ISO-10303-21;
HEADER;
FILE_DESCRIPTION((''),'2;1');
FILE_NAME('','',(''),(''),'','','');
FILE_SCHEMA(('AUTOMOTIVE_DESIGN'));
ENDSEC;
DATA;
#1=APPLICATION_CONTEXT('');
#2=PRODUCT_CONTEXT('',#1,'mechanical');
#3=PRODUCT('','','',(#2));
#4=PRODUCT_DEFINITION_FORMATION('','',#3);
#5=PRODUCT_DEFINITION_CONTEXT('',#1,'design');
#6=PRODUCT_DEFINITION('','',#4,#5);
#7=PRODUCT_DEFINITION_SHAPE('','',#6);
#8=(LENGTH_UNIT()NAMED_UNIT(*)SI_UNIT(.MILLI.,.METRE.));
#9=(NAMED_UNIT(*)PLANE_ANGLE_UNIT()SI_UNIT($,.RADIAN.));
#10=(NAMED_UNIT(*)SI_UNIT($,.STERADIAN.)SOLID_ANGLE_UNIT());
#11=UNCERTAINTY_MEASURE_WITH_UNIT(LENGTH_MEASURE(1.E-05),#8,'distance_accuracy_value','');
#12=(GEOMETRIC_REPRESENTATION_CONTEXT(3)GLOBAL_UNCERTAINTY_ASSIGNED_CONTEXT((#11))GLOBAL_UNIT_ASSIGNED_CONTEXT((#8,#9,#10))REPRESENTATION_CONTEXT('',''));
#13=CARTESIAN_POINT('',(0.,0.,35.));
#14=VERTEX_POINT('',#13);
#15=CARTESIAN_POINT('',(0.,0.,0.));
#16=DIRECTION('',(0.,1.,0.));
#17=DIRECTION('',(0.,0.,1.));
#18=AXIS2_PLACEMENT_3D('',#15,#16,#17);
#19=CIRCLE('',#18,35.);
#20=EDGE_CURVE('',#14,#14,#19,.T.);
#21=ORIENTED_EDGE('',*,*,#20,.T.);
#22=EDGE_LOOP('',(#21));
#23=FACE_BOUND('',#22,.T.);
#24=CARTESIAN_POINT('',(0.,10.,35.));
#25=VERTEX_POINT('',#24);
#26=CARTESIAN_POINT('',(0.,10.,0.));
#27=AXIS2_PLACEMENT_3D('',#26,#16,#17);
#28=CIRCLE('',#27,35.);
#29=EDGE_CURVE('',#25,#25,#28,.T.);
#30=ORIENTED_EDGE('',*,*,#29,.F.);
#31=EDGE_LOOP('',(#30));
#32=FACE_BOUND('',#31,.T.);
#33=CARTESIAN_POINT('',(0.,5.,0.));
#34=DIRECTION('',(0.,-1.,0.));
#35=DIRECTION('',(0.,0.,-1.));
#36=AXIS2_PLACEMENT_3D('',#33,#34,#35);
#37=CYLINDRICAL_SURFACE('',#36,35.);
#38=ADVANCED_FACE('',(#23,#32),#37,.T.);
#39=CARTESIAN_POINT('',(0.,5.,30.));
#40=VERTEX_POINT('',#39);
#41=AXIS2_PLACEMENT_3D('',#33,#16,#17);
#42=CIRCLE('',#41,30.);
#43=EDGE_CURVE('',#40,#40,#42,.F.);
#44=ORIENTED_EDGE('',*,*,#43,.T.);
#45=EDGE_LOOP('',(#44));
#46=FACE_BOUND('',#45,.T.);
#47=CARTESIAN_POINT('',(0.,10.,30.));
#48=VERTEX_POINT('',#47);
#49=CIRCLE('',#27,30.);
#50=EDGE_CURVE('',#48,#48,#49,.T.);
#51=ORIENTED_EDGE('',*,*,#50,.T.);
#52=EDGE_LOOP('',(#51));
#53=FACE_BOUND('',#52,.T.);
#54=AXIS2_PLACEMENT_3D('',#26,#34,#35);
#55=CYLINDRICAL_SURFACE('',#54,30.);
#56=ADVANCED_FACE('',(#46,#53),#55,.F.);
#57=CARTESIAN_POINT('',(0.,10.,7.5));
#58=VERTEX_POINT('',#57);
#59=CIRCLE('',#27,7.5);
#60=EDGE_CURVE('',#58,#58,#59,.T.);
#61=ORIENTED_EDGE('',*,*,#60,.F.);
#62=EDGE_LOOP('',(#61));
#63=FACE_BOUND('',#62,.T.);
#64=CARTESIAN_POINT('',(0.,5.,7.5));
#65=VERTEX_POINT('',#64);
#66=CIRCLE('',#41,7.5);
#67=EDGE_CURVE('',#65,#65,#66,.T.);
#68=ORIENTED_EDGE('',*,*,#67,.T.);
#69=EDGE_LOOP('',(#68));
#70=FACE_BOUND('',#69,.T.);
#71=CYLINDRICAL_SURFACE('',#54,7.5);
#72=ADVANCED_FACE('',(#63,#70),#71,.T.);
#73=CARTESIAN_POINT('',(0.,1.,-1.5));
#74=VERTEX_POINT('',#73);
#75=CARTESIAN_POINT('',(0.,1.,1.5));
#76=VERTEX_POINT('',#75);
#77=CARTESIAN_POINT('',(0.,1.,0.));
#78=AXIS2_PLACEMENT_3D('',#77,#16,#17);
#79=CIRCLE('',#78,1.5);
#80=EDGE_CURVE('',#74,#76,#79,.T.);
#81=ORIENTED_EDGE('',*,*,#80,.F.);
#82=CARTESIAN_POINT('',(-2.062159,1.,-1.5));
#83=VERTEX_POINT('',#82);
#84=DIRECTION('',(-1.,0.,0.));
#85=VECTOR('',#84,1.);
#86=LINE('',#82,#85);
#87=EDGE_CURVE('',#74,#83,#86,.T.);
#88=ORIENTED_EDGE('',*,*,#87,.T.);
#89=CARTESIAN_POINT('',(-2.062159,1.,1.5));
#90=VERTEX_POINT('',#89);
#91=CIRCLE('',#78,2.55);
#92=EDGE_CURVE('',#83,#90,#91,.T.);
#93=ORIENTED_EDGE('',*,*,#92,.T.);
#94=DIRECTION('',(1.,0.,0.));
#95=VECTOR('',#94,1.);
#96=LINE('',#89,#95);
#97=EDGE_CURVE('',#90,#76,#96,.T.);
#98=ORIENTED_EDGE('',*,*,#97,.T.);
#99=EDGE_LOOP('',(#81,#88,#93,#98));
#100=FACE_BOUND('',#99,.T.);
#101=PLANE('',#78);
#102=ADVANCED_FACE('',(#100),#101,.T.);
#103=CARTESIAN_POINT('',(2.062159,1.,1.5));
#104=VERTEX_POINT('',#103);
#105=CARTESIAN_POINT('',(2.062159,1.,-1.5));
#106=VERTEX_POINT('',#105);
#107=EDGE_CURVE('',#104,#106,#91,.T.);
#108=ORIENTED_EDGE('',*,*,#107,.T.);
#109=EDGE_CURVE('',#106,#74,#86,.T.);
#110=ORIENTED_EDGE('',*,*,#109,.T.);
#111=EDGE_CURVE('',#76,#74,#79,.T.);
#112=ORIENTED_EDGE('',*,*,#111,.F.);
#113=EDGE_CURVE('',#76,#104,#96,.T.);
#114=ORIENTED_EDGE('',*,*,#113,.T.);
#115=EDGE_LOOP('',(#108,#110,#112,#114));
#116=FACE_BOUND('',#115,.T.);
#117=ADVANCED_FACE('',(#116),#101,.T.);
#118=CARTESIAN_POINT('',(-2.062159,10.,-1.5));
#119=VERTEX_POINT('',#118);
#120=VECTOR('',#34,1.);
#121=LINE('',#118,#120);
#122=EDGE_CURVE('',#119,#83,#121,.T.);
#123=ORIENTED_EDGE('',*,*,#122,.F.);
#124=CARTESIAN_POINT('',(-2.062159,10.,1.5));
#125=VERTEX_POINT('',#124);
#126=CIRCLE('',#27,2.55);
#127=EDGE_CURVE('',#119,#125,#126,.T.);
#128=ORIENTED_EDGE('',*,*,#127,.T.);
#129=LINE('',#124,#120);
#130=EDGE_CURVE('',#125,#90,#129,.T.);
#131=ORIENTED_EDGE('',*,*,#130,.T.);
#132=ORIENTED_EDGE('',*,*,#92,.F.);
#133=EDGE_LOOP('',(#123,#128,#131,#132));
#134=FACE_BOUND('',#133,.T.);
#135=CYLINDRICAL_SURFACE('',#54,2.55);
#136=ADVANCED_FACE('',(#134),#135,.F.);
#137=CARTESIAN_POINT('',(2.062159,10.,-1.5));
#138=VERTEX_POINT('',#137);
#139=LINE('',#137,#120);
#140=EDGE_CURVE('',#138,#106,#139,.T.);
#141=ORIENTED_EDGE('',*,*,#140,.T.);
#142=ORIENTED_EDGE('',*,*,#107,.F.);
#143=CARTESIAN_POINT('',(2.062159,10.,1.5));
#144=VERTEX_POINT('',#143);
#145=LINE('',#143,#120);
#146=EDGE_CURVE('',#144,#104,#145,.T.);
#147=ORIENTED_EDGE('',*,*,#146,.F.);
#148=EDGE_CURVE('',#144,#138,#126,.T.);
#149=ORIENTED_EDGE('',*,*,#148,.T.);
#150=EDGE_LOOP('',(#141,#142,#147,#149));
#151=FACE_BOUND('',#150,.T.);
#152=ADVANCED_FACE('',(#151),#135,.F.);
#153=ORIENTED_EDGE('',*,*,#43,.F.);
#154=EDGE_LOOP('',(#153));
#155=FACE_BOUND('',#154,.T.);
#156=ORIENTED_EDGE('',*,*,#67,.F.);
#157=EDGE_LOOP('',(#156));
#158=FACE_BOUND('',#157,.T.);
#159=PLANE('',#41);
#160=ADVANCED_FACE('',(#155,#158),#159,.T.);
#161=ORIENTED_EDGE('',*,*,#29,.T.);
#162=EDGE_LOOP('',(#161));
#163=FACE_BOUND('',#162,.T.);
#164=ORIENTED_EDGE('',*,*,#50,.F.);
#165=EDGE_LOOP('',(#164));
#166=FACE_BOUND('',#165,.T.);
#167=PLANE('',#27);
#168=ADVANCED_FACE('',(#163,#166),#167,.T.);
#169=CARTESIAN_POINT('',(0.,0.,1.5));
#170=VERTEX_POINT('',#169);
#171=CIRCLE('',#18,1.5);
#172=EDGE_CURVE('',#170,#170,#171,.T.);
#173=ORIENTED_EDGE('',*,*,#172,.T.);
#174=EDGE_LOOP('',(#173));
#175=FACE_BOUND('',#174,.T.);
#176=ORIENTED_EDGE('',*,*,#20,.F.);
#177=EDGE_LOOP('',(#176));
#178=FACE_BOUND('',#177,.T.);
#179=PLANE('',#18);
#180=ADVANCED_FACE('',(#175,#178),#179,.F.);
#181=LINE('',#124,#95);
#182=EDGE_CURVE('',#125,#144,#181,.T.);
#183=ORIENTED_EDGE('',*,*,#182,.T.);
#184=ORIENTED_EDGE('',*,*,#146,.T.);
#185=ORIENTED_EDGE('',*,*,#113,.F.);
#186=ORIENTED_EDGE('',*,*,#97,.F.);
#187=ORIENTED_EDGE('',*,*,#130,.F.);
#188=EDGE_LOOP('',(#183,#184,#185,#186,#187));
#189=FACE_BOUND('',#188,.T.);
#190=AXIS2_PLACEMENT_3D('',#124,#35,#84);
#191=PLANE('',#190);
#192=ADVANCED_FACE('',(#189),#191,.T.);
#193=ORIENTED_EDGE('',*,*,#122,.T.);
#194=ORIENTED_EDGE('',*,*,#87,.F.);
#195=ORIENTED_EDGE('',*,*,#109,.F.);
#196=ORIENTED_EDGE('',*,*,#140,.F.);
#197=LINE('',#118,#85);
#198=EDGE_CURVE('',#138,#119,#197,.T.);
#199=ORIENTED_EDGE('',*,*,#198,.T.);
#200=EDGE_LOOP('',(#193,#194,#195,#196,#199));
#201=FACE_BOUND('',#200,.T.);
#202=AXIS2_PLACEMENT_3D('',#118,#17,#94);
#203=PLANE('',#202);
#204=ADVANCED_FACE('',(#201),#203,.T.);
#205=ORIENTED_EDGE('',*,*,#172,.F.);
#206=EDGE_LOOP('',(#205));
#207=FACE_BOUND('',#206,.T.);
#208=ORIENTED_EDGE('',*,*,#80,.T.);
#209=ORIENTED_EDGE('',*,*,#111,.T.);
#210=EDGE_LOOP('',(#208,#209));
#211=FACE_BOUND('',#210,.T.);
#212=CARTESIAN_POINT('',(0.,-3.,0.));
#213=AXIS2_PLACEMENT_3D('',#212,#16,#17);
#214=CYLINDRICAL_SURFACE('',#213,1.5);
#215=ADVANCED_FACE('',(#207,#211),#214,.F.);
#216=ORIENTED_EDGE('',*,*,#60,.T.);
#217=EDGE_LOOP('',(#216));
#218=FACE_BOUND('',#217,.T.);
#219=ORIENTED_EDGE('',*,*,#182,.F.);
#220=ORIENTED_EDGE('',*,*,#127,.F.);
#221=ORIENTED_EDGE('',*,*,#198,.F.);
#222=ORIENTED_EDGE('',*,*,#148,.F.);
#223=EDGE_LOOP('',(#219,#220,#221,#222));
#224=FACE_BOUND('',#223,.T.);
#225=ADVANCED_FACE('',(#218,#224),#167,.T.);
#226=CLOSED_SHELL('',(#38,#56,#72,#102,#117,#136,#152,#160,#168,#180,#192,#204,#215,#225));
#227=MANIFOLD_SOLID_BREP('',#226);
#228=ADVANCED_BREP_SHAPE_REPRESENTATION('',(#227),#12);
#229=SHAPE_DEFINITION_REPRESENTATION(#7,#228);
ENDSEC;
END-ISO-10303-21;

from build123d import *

# Parameters (mm, degrees)
IZIM1_R                     = 35
Y_KSEKLIK_EKSTR_ZYON1_DEPTH = 5
IZIM2_R                     = 7.5
Y_KSEKLIK_EKSTR_ZYON2_DEPTH = 5
KES_EKSTR_ZYON1_START       = -4
KES_EKSTR_ZYON1_DEPTH       = 4
IZIM4_R                     = 1.5
KES_EKSTR_ZYON2_DEPTH       = 4
IZIM5_R                     = 35
IZIM5_R_2                   = 30
Y_KSEKLIK_EKSTR_ZYON3_DEPTH = 5


with BuildPart() as part:
    # Çizim1 → Yükseklik-Ekstrüzyon1 (new body)
    with BuildSketch(Plane(origin=(0, 0, 0), x_dir=(1, 0, 0), z_dir=(0, 1, 0))):
        with Locations(Location((0, 0, 0), (0, 0, 270))):
            Circle(IZIM1_R)
    extrude(amount=Y_KSEKLIK_EKSTR_ZYON1_DEPTH)

    # Çizim2 → Yükseklik-Ekstrüzyon2 (add)
    with BuildSketch(Plane(origin=(0, 5, 0), x_dir=(1, 0, 0), z_dir=(0, 1, 0))):
        with Locations(Location((0, 0, 0), (0, 0, 270))):
            Circle(IZIM2_R)
        with BuildLine():
            Line((-2.062159063, 1.5), (2.062159063, 1.5))
            ThreePointArc((2.062159063, 1.5), (2.55, 0), (2.062159063, -1.5))
            Line((2.062159063, -1.5), (-2.062159063, -1.5))
            ThreePointArc((-2.062159063, -1.5), (-2.55, 0), (-2.062159063, 1.5))
        make_face(mode=Mode.SUBTRACT)
    extrude(amount=Y_KSEKLIK_EKSTR_ZYON2_DEPTH)

    # Çizim3 → Kes-Ekstrüzyon1 (cut)
    with BuildSketch(Plane(origin=(0, 5, 0), x_dir=(1, 0, 0), z_dir=(0, 1, 0)).offset(KES_EKSTR_ZYON1_START)):
        with BuildLine():
            Line((-2.062159063, 1.5), (2.062159063, 1.5))
            ThreePointArc((2.062159063, 1.5), (2.55, 0), (2.062159063, -1.5))
            Line((2.062159063, -1.5), (-2.062159063, -1.5))
            ThreePointArc((-2.062159063, -1.5), (-2.55, 0), (-2.062159063, 1.5))
        make_face()
    extrude(amount=KES_EKSTR_ZYON1_DEPTH, mode=Mode.SUBTRACT)

    # Çizim4 → Kes-Ekstrüzyon2 (cut)
    with BuildSketch(Plane(origin=(0, 1, 0), x_dir=(1, 0, 0), z_dir=(0, 1, 0))):
        with Locations(Location((0, 0, 0), (0, 0, 270))):
            Circle(IZIM4_R)
    extrude(amount=-KES_EKSTR_ZYON2_DEPTH, mode=Mode.SUBTRACT)

    # Çizim5 → Yükseklik-Ekstrüzyon3 (add)
    with BuildSketch(Plane(origin=(0, 5, 0), x_dir=(1, 0, 0), z_dir=(0, 1, 0))):
        with Locations(Location((0, 0, 0), (0, 0, 270))):
            Circle(IZIM5_R)
        with Locations(Location((0, 0, 0), (0, 0, 270))):
            Circle(IZIM5_R_2, mode=Mode.SUBTRACT)
    extrude(amount=Y_KSEKLIK_EKSTR_ZYON3_DEPTH)


solid = part.part
